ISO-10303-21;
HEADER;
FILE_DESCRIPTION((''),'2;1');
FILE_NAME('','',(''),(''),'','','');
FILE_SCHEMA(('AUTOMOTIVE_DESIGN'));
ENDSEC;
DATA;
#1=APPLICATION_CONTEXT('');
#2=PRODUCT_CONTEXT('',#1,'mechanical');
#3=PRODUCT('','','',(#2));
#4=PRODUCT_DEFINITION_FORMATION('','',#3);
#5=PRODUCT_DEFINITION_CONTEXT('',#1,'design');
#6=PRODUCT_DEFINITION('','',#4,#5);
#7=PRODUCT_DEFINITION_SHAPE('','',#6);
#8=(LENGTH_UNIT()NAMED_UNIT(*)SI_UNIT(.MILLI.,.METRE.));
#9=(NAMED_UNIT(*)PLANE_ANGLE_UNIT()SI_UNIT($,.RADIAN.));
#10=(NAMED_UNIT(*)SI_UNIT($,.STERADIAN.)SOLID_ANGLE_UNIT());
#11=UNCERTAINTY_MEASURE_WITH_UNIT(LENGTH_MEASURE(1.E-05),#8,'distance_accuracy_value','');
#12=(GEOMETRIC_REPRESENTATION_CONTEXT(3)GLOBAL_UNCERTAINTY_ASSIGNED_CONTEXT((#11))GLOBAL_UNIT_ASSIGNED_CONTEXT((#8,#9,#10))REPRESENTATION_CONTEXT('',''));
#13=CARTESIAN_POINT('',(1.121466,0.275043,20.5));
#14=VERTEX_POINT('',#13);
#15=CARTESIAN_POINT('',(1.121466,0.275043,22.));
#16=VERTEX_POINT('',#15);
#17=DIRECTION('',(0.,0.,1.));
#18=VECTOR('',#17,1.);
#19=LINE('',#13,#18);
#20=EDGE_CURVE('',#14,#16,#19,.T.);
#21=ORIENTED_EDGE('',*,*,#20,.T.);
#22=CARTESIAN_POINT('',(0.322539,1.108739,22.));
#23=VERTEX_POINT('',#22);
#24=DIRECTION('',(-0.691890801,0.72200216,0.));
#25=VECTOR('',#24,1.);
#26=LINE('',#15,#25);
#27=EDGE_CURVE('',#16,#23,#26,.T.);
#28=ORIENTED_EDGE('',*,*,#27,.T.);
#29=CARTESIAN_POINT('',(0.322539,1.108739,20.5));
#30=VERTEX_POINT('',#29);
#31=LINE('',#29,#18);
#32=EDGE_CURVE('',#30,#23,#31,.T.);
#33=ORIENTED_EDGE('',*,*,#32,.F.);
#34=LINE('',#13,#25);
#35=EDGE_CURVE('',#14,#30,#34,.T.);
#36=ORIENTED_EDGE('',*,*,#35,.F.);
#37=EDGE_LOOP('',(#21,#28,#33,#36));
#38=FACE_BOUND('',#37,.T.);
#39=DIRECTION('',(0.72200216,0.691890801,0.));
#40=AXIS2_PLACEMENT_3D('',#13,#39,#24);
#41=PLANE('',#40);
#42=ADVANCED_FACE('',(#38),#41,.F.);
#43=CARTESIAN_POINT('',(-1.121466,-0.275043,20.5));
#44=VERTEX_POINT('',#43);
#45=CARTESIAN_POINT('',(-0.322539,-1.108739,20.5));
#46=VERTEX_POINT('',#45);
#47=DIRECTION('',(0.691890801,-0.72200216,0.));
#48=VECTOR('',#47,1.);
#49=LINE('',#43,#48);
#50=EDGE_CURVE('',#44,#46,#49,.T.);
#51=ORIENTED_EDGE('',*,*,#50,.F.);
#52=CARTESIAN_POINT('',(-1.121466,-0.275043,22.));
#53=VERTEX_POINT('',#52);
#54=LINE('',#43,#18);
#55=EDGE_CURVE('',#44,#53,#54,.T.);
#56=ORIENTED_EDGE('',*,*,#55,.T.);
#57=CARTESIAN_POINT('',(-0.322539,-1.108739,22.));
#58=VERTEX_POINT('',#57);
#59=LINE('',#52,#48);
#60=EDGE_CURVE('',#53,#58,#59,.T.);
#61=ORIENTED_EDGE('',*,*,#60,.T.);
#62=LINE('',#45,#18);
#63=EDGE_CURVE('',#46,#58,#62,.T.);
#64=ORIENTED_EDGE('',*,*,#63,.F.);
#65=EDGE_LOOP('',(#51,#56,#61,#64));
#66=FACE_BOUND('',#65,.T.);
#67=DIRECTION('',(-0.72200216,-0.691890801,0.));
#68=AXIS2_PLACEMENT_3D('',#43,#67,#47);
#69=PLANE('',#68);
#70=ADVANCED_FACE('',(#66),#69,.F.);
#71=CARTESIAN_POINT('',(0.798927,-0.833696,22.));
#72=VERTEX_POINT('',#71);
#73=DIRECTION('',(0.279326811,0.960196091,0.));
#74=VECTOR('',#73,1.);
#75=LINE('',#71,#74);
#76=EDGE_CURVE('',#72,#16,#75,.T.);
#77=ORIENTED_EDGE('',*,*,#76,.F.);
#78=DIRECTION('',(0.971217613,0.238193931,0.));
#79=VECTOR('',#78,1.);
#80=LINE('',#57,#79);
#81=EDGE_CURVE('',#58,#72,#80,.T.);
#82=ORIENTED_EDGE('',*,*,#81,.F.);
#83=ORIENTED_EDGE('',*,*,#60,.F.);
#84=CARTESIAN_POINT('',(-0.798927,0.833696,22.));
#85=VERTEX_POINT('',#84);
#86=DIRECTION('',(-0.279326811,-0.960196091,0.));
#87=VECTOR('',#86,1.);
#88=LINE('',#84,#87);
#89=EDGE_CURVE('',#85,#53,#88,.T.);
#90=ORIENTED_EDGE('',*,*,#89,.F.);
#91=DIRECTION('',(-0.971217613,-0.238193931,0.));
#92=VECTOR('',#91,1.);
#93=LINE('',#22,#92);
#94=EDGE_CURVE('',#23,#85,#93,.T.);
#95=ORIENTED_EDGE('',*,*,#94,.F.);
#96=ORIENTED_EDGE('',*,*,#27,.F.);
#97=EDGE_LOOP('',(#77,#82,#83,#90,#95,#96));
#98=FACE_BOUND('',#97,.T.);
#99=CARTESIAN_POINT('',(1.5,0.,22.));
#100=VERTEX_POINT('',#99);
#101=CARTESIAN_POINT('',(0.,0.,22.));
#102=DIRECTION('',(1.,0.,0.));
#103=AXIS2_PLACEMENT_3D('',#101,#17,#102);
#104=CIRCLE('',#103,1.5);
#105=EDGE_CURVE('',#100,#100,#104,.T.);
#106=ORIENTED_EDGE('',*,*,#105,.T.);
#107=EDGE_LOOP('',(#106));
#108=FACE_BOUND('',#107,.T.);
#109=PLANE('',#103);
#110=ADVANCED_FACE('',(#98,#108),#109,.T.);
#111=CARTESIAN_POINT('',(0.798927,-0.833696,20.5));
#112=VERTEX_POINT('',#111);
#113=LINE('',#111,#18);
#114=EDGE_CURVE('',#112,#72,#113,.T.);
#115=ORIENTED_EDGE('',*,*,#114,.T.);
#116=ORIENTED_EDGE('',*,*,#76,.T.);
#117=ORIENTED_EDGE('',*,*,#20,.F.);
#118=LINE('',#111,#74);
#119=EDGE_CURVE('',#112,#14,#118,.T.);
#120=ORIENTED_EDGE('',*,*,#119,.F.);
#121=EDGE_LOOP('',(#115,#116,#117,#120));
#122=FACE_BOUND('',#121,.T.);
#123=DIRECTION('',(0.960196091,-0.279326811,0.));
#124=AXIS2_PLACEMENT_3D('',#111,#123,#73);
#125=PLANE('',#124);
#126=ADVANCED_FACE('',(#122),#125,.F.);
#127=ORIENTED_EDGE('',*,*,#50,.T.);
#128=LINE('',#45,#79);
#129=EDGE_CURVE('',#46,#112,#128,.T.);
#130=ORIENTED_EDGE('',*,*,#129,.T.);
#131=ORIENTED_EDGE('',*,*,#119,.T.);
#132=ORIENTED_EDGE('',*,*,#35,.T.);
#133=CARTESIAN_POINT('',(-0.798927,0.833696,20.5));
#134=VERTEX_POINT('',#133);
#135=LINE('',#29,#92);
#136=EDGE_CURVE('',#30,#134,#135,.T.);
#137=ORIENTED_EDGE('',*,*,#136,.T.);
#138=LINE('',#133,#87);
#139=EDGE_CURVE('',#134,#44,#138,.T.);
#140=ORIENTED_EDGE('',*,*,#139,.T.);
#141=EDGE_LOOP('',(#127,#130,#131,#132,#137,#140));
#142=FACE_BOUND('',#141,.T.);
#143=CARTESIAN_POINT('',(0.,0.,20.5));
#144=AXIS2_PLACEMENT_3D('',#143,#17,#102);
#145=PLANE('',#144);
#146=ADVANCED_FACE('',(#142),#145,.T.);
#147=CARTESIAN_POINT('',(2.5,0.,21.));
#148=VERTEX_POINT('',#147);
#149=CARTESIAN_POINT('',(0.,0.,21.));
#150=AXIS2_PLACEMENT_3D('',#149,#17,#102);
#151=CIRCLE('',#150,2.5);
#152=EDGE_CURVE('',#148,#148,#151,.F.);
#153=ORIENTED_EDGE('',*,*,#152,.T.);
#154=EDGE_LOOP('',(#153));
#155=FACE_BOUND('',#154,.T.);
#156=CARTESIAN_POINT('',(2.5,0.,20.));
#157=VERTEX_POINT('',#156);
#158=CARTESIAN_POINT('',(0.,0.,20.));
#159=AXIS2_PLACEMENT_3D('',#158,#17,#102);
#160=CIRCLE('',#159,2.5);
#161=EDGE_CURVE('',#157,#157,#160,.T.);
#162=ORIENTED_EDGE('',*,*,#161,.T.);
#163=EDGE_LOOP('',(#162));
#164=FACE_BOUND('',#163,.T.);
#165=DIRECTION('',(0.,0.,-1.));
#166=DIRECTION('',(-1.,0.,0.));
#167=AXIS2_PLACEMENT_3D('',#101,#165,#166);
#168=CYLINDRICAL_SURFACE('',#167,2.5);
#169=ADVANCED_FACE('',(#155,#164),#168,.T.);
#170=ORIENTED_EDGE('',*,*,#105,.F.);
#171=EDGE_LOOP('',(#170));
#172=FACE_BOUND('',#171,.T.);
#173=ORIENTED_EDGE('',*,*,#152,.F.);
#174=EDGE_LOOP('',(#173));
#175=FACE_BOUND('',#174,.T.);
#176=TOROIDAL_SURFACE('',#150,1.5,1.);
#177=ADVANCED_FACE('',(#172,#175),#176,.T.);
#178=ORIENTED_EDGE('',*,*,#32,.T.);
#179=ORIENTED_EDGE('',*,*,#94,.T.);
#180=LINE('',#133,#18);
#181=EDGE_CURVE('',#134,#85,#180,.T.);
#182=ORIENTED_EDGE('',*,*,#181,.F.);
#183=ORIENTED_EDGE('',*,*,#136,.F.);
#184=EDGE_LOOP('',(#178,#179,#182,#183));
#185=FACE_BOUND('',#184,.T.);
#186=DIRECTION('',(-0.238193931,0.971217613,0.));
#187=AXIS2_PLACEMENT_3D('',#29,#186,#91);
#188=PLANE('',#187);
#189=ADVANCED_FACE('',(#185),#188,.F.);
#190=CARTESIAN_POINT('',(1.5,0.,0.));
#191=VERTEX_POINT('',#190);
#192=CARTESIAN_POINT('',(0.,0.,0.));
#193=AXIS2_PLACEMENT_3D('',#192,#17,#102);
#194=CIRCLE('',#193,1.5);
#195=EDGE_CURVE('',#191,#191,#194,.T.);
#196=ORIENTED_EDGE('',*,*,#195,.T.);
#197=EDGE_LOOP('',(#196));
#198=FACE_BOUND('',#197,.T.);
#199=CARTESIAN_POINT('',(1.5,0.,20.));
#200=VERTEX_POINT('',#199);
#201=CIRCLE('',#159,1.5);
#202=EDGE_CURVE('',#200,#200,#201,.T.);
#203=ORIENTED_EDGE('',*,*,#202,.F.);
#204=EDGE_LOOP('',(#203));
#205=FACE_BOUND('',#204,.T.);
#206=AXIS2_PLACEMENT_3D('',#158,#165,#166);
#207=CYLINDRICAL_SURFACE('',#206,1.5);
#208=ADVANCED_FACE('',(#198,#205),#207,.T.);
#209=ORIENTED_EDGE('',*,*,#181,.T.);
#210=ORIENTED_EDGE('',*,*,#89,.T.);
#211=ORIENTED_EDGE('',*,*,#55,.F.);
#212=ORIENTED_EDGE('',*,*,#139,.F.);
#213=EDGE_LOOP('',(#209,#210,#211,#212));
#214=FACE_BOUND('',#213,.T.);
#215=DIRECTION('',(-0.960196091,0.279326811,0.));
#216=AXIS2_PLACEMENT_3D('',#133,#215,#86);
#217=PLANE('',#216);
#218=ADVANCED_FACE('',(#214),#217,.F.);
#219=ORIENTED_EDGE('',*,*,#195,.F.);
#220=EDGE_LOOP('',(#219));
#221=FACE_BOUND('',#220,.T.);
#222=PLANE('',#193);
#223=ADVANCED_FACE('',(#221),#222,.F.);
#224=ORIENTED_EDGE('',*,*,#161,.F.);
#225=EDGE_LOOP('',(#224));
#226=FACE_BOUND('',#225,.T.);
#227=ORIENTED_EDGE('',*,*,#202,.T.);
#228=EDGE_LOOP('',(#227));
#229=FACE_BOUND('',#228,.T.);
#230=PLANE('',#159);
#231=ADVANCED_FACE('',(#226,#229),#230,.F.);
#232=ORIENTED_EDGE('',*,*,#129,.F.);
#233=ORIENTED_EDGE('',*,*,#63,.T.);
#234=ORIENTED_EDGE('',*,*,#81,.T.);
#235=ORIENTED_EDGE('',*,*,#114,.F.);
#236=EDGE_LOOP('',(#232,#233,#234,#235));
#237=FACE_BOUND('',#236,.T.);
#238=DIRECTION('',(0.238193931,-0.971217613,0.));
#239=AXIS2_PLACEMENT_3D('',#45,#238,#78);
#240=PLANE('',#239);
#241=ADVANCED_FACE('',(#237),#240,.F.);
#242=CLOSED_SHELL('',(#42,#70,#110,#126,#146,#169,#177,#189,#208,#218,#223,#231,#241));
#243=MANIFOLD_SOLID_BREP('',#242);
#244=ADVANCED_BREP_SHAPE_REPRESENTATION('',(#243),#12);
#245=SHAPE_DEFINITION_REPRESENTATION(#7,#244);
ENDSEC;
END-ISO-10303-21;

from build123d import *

# Parameters (mm, degrees)
SKETCH_1_R          = 1.5
EXTRUDE_1_DEPTH     = 20
SKETCH_2_R          = 2.5
EXTRUDE_2_DEPTH     = 2
CUT_EXTRUDE_1_DEPTH = 1.5
FILLET_1_R          = 1


with BuildPart() as part:
    # 草图1 → 凸台-拉伸1 (new body)
    with BuildSketch(Plane.XY):
        Circle(SKETCH_1_R)
    extrude(amount=EXTRUDE_1_DEPTH)

    # 草图2 → 凸台-拉伸2 (add)
    with BuildSketch(Plane.XY.offset(20)):
        Circle(SKETCH_2_R)
    extrude(amount=EXTRUDE_2_DEPTH)

    # 草图3 → 切除-拉伸1 (cut)
    with BuildSketch(Plane.XY.offset(22)):
        Polygon((0.32253882, 1.108738943), (-0.798926681, 0.833696283), (-1.1214655, -0.27504266), (-0.32253882, -1.108738943), (0.798926681, -0.833696283), (1.1214655, 0.27504266), align=None)
    extrude(amount=-CUT_EXTRUDE_1_DEPTH, mode=Mode.SUBTRACT)

    # 圆角1
    fillet_1_edges = [part.edges().sort_by_distance(p)[0] for p in [
        (-2.5, 0, 22),
    ]]
    fillet(fillet_1_edges, radius=FILLET_1_R)


solid = part.part
